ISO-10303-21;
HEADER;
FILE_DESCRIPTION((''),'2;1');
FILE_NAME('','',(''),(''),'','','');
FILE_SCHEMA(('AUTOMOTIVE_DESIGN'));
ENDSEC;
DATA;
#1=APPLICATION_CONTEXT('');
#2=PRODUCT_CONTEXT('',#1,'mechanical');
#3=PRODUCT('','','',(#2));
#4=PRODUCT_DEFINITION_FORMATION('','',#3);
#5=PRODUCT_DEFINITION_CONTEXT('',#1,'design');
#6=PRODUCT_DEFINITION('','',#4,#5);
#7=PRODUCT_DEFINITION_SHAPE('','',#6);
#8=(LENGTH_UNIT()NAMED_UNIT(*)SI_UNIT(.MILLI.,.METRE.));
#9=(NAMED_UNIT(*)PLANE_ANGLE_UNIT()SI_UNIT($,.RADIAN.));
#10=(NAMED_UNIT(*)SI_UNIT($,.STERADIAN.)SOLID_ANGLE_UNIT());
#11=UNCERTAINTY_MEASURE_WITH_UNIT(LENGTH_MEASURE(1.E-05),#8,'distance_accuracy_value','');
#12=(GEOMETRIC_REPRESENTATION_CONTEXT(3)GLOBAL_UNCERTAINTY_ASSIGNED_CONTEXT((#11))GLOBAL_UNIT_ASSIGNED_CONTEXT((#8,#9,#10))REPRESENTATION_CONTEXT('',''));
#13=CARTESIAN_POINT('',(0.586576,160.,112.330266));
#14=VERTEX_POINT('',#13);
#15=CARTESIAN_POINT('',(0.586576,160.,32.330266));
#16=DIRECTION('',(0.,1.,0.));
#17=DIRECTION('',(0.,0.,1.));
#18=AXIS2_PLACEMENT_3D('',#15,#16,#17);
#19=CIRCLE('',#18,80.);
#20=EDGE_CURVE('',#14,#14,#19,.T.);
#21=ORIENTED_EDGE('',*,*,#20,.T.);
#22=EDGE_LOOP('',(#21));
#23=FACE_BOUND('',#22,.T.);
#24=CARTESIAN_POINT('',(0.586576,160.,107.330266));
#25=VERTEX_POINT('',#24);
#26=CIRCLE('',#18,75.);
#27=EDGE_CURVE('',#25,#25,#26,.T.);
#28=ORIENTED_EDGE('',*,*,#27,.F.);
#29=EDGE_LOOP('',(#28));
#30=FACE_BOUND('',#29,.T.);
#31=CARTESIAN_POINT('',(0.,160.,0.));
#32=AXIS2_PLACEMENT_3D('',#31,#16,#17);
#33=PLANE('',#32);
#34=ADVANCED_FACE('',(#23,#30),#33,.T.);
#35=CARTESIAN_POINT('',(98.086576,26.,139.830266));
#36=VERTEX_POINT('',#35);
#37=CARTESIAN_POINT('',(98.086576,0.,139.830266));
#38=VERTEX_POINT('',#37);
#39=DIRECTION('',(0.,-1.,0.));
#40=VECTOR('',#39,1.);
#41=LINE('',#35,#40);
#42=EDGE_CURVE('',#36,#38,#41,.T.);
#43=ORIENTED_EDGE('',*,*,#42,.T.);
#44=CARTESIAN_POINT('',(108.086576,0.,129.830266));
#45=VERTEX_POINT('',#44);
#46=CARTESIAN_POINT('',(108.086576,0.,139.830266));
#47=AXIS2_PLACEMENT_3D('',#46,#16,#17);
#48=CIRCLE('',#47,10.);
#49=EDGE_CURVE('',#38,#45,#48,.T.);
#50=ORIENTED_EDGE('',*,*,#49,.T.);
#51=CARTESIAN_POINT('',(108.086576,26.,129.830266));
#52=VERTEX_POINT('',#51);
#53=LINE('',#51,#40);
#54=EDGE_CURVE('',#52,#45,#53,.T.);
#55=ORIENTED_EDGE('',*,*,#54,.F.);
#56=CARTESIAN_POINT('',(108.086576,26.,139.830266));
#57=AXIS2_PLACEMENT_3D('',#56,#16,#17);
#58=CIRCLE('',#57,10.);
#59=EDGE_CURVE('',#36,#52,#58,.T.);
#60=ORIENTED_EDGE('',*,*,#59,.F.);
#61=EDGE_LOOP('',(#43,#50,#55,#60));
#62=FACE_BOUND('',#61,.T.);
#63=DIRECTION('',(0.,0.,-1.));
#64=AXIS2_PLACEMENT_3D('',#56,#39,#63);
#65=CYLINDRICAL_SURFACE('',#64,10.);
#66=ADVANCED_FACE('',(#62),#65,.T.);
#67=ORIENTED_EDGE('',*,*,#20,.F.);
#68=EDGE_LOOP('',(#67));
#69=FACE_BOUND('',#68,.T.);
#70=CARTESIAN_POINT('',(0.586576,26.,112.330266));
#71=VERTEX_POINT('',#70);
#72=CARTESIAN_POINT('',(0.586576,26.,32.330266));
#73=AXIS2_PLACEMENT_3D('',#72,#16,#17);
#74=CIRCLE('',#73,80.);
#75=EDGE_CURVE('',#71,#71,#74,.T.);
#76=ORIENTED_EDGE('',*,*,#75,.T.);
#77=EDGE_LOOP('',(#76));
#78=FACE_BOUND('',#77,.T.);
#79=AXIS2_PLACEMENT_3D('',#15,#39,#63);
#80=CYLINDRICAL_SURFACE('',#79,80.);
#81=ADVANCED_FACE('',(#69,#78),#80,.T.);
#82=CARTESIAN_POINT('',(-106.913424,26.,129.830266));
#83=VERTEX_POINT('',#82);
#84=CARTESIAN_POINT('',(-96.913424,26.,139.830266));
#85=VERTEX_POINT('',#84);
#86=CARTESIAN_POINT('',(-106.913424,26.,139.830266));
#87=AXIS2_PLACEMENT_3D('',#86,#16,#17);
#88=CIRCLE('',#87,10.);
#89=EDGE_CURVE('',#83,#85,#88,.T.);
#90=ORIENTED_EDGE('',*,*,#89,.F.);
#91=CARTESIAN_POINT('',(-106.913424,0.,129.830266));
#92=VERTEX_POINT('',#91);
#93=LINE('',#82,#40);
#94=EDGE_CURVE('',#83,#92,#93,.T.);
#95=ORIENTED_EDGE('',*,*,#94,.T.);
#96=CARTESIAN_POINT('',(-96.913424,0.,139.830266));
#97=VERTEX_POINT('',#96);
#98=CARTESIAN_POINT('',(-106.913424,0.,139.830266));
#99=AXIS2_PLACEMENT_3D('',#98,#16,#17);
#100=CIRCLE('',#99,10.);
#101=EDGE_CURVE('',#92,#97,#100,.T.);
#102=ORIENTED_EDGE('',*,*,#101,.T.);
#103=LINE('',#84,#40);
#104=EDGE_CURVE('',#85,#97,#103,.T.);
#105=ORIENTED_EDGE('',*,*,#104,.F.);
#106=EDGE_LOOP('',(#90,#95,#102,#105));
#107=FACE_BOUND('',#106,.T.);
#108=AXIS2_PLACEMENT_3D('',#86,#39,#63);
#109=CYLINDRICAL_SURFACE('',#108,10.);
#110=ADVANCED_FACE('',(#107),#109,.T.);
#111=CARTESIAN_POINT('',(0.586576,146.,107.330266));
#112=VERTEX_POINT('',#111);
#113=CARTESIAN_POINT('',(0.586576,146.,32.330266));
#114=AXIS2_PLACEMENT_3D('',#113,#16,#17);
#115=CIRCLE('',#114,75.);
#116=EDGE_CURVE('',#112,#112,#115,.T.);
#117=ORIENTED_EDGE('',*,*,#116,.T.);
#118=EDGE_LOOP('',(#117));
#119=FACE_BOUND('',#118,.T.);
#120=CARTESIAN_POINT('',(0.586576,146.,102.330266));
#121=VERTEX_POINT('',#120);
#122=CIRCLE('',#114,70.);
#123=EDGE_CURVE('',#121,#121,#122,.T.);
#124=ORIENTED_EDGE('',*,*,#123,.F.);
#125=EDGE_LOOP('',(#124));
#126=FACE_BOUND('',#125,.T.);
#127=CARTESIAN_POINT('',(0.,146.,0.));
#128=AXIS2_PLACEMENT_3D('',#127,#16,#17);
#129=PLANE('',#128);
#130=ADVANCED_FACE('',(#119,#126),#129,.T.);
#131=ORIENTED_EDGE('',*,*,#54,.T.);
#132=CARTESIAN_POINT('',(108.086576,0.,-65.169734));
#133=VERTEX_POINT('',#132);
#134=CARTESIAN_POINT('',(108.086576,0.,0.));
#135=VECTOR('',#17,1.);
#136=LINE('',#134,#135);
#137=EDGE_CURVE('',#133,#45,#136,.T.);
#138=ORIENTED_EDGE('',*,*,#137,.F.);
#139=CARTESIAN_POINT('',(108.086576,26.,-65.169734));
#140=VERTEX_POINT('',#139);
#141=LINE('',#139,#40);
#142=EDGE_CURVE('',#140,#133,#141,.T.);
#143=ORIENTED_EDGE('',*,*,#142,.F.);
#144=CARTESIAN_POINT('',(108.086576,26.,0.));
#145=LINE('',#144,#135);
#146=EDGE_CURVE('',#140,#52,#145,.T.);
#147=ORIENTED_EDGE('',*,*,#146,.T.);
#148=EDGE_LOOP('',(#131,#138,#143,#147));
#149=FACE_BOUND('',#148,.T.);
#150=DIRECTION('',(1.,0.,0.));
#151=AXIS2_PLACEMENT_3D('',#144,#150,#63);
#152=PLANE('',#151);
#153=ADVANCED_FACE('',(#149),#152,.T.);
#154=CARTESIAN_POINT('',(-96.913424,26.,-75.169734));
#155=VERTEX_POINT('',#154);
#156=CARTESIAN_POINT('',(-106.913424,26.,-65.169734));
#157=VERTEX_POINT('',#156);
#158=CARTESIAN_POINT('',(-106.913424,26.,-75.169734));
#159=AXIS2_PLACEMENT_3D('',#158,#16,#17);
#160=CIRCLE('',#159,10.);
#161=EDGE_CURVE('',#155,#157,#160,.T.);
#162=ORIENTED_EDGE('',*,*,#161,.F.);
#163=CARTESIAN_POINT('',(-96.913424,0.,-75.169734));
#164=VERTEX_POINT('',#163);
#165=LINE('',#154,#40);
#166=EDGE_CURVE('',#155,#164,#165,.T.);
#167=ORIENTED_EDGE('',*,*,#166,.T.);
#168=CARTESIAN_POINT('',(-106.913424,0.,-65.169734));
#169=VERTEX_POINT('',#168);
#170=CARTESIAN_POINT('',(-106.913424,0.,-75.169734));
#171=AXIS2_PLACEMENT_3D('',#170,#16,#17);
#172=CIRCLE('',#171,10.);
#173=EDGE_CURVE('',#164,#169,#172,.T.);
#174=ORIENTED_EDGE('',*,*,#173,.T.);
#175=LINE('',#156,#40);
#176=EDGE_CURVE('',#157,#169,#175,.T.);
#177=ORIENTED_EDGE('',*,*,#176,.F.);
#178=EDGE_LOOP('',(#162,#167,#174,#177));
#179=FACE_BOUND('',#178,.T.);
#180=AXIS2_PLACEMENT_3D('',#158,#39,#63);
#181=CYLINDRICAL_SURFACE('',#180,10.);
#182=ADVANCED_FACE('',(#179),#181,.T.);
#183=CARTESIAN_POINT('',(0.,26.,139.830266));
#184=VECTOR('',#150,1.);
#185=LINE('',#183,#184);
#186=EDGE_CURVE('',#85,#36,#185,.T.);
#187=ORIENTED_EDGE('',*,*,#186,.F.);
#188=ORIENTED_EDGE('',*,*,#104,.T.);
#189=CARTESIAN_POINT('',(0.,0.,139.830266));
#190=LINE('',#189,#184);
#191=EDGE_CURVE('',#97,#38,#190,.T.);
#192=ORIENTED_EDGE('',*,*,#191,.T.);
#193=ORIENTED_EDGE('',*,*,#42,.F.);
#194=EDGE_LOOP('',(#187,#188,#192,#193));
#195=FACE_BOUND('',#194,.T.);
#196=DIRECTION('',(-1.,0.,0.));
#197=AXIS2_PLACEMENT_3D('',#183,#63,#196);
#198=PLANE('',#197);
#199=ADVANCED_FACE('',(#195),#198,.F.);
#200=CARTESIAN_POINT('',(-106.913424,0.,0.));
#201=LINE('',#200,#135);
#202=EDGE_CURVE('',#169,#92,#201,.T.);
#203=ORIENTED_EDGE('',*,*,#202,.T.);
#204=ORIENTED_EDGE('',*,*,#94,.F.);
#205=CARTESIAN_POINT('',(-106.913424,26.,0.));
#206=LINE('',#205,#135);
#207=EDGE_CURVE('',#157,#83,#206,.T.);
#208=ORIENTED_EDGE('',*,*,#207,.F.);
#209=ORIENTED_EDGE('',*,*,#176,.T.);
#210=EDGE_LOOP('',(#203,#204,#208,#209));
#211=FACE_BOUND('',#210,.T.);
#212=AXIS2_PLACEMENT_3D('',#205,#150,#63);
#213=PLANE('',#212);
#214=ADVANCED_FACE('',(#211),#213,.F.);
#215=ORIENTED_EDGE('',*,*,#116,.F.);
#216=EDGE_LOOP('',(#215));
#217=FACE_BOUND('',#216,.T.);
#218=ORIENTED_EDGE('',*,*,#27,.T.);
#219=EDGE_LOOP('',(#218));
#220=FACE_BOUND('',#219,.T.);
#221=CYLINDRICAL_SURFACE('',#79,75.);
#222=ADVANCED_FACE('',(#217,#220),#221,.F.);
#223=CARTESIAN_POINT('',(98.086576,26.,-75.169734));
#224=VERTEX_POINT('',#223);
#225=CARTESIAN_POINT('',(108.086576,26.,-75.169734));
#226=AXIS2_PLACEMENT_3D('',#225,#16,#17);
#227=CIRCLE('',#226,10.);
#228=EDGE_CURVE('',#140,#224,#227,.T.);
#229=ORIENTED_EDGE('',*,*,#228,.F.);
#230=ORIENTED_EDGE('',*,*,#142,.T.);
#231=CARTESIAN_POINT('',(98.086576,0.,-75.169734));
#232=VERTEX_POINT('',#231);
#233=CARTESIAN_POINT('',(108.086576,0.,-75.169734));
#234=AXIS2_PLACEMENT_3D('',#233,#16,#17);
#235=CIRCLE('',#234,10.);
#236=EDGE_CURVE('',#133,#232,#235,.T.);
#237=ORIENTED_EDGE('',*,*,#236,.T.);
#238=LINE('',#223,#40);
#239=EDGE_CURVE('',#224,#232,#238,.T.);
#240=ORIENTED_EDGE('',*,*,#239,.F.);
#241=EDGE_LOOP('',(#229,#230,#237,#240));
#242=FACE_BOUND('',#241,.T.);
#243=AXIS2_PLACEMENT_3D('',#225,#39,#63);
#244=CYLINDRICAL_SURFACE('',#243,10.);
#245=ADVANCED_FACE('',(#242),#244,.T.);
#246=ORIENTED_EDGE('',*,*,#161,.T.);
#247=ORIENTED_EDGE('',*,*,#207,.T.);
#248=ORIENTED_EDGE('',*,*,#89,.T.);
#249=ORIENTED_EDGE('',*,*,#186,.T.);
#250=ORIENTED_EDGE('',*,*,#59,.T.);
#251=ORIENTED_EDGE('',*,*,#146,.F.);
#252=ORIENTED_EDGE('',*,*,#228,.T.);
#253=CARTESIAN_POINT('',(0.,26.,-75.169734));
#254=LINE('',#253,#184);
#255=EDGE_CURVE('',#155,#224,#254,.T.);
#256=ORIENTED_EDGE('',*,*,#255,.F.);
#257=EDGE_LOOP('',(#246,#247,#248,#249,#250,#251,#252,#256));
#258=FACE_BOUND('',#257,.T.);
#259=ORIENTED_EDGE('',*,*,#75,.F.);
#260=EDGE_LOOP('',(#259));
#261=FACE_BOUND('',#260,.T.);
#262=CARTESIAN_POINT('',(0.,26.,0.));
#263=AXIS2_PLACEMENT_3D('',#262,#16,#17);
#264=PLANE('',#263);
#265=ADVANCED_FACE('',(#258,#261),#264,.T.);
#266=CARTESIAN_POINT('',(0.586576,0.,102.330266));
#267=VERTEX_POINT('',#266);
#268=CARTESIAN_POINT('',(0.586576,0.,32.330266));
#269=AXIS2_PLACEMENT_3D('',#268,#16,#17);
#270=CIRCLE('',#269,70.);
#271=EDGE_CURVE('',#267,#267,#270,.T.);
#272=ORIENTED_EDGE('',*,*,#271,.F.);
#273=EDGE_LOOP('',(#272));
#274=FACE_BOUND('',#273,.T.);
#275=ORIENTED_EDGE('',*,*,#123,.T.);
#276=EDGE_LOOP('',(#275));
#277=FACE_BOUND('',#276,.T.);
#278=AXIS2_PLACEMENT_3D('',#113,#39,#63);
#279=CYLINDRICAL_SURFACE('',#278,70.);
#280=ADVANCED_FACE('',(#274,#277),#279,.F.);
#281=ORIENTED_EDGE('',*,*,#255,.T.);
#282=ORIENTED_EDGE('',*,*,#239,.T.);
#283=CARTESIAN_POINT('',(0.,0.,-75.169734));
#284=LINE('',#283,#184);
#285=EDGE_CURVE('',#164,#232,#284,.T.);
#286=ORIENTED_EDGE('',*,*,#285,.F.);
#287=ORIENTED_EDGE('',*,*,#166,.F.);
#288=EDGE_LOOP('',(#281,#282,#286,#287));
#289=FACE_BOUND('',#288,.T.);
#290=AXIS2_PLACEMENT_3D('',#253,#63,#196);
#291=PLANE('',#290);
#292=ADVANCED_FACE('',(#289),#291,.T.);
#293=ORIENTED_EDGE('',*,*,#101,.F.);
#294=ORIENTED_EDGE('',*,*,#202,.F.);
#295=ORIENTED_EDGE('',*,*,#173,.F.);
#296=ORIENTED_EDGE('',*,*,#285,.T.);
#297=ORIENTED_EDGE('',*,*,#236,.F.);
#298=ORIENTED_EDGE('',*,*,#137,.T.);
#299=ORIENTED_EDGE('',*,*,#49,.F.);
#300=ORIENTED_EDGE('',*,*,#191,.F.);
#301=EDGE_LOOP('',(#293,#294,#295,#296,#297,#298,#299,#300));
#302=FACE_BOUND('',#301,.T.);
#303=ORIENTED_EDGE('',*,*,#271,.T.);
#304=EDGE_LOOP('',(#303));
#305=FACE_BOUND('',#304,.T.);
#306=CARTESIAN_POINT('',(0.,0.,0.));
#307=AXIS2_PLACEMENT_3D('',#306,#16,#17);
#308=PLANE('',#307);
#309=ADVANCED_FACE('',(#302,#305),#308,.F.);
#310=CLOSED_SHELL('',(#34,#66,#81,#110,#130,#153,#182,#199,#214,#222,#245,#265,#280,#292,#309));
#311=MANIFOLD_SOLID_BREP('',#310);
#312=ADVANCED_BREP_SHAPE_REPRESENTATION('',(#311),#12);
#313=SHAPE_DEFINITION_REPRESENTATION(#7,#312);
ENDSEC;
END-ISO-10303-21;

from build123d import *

# Parameters (mm, degrees)
IZIM1_R                     = 80
Y_KSEKLIK_EKSTR_ZYON1_DEPTH = 26
IZIM1_7_R                   = 80
IZIM1_7_R_2                 = 75
Y_KSEKLIK_EKSTR_ZYON2_DEPTH = 160
IZIM1_9_R                   = 75
IZIM1_9_R_2                 = 70
Y_KSEKLIK_EKSTR_ZYON3_DEPTH = 146


with BuildPart() as part:
    # Çizim1 → Yükseklik-Ekstrüzyon1 (new body)
    with BuildSketch(Plane(origin=(0, 0, 0), x_dir=(1, 0, 0), z_dir=(0, 1, 0))):
        with BuildLine():
            Line((98.086576189, 75.169734496), (-96.913423811, 75.169734496))
            ThreePointArc((-96.913423811, 75.169734496), (-113.984491623, 82.240802308), (-106.913423811, 65.169734496))
            Line((-106.913423811, 65.169734496), (-106.913423811, -129.830265504))
            ThreePointArc((-106.913423811, -129.830265504), (-113.984491623, -146.901333316), (-96.913423811, -139.830265504))
            Line((-96.913423811, -139.830265504), (98.086576189, -139.830265504))
            ThreePointArc((98.086576189, -139.830265504), (115.157644, -146.901333316), (108.086576189, -129.830265504))
            Line((108.086576189, -129.830265504), (108.086576189, 65.169734496))
            ThreePointArc((108.086576189, 65.169734496), (115.157644, 82.240802308), (98.086576189, 75.169734496))
        make_face()
        with Locations((0.586576189, -32.330265504)):
            Circle(IZIM1_R, mode=Mode.SUBTRACT)
    extrude(amount=Y_KSEKLIK_EKSTR_ZYON1_DEPTH)

    # Çizim1<7> → Yükseklik-Ekstrüzyon2 (add)
    with BuildSketch(Plane(origin=(0, 0, 0), x_dir=(1, 0, 0), z_dir=(0, 1, 0))):
        with Locations((0.586576189, -32.330265504)):
            Circle(IZIM1_7_R)
        with Locations((0.586576189, -32.330265504)):
            Circle(IZIM1_7_R_2, mode=Mode.SUBTRACT)
    extrude(amount=Y_KSEKLIK_EKSTR_ZYON2_DEPTH)

    # Çizim1<9> → Yükseklik-Ekstrüzyon3 (add)
    with BuildSketch(Plane(origin=(0, 0, 0), x_dir=(1, 0, 0), z_dir=(0, 1, 0))):
        with Locations((0.586576189, -32.330265504)):
            Circle(IZIM1_9_R)
        with Locations((0.586576189, -32.330265504)):
            Circle(IZIM1_9_R_2, mode=Mode.SUBTRACT)
    extrude(amount=Y_KSEKLIK_EKSTR_ZYON3_DEPTH)


solid = part.part
